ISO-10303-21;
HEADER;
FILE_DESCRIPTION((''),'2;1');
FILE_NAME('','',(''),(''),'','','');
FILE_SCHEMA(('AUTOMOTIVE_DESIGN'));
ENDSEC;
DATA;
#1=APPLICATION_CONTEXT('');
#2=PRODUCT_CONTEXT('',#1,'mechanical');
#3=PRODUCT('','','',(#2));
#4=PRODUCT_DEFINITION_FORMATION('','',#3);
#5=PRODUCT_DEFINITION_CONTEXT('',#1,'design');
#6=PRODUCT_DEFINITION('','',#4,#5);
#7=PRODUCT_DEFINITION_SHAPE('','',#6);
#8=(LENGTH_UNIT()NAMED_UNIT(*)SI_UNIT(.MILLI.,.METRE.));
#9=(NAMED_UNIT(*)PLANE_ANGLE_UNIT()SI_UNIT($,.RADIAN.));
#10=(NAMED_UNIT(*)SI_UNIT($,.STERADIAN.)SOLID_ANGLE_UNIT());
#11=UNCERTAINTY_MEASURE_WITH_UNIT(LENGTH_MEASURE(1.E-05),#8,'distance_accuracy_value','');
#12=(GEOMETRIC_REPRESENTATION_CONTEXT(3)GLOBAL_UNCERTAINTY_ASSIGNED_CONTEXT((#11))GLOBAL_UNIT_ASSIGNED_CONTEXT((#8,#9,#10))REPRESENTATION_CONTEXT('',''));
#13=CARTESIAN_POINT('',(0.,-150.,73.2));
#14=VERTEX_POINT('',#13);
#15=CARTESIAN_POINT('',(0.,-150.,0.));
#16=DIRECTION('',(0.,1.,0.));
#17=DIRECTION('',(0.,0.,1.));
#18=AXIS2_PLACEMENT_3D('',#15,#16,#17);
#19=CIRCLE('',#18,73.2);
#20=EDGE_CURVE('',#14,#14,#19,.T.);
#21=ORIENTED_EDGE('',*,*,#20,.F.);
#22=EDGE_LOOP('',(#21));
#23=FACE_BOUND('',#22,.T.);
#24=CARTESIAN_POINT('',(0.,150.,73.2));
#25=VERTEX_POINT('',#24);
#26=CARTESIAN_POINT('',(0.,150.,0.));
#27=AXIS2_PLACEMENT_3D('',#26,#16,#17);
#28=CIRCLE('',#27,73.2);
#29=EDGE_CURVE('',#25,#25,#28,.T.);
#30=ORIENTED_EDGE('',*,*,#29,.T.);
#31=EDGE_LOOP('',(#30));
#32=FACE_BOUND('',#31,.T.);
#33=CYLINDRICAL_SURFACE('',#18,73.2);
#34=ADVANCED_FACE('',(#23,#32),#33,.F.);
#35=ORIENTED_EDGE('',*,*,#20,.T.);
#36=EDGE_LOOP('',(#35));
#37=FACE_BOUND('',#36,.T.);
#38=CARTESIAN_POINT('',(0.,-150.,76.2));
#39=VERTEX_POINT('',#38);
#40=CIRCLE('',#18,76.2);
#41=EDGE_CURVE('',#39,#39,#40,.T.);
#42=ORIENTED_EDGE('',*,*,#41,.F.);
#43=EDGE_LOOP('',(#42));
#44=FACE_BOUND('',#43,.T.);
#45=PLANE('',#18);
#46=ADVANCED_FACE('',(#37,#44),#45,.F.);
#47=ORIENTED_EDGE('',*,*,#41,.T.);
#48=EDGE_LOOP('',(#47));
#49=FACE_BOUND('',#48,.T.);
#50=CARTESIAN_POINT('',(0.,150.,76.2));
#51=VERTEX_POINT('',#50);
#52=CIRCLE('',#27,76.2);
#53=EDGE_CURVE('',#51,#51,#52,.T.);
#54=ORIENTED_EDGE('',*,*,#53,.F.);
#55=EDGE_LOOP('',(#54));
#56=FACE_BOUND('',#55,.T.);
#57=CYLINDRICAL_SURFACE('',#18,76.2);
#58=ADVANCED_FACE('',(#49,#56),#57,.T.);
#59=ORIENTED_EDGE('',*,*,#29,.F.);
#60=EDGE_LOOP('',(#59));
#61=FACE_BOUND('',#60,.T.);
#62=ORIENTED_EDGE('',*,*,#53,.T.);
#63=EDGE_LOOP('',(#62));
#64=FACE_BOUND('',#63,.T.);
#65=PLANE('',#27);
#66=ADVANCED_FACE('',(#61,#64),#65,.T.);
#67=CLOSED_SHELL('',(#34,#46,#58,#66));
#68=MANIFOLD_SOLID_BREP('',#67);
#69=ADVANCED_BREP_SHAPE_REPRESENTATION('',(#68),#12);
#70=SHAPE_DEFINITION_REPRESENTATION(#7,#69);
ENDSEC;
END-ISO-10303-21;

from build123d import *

# Parameters (mm, degrees)
BOSS_EXTRUDE1_DEPTH      = 150
BOSS_EXTRUDE1_DEPTH_BACK = 150
SKETCH1_R                = 76.2
SKETCH1_R_2              = 73.2


with BuildPart() as part:
    # Sketch1 → Boss-Extrude1 (new, two sides: drawn at the far end of the back side and taken through both)
    with BuildSketch(Plane(origin=(0, 0, 0), x_dir=(1, 0, 0), z_dir=(0, 1, 0)).offset(-BOSS_EXTRUDE1_DEPTH_BACK)):
        with Locations(Location((0, 0, 0), (0, 0, 270))):
            Circle(SKETCH1_R)
        with Locations(Location((0, 0, 0), (0, 0, 270))):
            Circle(SKETCH1_R_2, mode=Mode.SUBTRACT)
    extrude(amount=BOSS_EXTRUDE1_DEPTH + BOSS_EXTRUDE1_DEPTH_BACK)


solid = part.part
